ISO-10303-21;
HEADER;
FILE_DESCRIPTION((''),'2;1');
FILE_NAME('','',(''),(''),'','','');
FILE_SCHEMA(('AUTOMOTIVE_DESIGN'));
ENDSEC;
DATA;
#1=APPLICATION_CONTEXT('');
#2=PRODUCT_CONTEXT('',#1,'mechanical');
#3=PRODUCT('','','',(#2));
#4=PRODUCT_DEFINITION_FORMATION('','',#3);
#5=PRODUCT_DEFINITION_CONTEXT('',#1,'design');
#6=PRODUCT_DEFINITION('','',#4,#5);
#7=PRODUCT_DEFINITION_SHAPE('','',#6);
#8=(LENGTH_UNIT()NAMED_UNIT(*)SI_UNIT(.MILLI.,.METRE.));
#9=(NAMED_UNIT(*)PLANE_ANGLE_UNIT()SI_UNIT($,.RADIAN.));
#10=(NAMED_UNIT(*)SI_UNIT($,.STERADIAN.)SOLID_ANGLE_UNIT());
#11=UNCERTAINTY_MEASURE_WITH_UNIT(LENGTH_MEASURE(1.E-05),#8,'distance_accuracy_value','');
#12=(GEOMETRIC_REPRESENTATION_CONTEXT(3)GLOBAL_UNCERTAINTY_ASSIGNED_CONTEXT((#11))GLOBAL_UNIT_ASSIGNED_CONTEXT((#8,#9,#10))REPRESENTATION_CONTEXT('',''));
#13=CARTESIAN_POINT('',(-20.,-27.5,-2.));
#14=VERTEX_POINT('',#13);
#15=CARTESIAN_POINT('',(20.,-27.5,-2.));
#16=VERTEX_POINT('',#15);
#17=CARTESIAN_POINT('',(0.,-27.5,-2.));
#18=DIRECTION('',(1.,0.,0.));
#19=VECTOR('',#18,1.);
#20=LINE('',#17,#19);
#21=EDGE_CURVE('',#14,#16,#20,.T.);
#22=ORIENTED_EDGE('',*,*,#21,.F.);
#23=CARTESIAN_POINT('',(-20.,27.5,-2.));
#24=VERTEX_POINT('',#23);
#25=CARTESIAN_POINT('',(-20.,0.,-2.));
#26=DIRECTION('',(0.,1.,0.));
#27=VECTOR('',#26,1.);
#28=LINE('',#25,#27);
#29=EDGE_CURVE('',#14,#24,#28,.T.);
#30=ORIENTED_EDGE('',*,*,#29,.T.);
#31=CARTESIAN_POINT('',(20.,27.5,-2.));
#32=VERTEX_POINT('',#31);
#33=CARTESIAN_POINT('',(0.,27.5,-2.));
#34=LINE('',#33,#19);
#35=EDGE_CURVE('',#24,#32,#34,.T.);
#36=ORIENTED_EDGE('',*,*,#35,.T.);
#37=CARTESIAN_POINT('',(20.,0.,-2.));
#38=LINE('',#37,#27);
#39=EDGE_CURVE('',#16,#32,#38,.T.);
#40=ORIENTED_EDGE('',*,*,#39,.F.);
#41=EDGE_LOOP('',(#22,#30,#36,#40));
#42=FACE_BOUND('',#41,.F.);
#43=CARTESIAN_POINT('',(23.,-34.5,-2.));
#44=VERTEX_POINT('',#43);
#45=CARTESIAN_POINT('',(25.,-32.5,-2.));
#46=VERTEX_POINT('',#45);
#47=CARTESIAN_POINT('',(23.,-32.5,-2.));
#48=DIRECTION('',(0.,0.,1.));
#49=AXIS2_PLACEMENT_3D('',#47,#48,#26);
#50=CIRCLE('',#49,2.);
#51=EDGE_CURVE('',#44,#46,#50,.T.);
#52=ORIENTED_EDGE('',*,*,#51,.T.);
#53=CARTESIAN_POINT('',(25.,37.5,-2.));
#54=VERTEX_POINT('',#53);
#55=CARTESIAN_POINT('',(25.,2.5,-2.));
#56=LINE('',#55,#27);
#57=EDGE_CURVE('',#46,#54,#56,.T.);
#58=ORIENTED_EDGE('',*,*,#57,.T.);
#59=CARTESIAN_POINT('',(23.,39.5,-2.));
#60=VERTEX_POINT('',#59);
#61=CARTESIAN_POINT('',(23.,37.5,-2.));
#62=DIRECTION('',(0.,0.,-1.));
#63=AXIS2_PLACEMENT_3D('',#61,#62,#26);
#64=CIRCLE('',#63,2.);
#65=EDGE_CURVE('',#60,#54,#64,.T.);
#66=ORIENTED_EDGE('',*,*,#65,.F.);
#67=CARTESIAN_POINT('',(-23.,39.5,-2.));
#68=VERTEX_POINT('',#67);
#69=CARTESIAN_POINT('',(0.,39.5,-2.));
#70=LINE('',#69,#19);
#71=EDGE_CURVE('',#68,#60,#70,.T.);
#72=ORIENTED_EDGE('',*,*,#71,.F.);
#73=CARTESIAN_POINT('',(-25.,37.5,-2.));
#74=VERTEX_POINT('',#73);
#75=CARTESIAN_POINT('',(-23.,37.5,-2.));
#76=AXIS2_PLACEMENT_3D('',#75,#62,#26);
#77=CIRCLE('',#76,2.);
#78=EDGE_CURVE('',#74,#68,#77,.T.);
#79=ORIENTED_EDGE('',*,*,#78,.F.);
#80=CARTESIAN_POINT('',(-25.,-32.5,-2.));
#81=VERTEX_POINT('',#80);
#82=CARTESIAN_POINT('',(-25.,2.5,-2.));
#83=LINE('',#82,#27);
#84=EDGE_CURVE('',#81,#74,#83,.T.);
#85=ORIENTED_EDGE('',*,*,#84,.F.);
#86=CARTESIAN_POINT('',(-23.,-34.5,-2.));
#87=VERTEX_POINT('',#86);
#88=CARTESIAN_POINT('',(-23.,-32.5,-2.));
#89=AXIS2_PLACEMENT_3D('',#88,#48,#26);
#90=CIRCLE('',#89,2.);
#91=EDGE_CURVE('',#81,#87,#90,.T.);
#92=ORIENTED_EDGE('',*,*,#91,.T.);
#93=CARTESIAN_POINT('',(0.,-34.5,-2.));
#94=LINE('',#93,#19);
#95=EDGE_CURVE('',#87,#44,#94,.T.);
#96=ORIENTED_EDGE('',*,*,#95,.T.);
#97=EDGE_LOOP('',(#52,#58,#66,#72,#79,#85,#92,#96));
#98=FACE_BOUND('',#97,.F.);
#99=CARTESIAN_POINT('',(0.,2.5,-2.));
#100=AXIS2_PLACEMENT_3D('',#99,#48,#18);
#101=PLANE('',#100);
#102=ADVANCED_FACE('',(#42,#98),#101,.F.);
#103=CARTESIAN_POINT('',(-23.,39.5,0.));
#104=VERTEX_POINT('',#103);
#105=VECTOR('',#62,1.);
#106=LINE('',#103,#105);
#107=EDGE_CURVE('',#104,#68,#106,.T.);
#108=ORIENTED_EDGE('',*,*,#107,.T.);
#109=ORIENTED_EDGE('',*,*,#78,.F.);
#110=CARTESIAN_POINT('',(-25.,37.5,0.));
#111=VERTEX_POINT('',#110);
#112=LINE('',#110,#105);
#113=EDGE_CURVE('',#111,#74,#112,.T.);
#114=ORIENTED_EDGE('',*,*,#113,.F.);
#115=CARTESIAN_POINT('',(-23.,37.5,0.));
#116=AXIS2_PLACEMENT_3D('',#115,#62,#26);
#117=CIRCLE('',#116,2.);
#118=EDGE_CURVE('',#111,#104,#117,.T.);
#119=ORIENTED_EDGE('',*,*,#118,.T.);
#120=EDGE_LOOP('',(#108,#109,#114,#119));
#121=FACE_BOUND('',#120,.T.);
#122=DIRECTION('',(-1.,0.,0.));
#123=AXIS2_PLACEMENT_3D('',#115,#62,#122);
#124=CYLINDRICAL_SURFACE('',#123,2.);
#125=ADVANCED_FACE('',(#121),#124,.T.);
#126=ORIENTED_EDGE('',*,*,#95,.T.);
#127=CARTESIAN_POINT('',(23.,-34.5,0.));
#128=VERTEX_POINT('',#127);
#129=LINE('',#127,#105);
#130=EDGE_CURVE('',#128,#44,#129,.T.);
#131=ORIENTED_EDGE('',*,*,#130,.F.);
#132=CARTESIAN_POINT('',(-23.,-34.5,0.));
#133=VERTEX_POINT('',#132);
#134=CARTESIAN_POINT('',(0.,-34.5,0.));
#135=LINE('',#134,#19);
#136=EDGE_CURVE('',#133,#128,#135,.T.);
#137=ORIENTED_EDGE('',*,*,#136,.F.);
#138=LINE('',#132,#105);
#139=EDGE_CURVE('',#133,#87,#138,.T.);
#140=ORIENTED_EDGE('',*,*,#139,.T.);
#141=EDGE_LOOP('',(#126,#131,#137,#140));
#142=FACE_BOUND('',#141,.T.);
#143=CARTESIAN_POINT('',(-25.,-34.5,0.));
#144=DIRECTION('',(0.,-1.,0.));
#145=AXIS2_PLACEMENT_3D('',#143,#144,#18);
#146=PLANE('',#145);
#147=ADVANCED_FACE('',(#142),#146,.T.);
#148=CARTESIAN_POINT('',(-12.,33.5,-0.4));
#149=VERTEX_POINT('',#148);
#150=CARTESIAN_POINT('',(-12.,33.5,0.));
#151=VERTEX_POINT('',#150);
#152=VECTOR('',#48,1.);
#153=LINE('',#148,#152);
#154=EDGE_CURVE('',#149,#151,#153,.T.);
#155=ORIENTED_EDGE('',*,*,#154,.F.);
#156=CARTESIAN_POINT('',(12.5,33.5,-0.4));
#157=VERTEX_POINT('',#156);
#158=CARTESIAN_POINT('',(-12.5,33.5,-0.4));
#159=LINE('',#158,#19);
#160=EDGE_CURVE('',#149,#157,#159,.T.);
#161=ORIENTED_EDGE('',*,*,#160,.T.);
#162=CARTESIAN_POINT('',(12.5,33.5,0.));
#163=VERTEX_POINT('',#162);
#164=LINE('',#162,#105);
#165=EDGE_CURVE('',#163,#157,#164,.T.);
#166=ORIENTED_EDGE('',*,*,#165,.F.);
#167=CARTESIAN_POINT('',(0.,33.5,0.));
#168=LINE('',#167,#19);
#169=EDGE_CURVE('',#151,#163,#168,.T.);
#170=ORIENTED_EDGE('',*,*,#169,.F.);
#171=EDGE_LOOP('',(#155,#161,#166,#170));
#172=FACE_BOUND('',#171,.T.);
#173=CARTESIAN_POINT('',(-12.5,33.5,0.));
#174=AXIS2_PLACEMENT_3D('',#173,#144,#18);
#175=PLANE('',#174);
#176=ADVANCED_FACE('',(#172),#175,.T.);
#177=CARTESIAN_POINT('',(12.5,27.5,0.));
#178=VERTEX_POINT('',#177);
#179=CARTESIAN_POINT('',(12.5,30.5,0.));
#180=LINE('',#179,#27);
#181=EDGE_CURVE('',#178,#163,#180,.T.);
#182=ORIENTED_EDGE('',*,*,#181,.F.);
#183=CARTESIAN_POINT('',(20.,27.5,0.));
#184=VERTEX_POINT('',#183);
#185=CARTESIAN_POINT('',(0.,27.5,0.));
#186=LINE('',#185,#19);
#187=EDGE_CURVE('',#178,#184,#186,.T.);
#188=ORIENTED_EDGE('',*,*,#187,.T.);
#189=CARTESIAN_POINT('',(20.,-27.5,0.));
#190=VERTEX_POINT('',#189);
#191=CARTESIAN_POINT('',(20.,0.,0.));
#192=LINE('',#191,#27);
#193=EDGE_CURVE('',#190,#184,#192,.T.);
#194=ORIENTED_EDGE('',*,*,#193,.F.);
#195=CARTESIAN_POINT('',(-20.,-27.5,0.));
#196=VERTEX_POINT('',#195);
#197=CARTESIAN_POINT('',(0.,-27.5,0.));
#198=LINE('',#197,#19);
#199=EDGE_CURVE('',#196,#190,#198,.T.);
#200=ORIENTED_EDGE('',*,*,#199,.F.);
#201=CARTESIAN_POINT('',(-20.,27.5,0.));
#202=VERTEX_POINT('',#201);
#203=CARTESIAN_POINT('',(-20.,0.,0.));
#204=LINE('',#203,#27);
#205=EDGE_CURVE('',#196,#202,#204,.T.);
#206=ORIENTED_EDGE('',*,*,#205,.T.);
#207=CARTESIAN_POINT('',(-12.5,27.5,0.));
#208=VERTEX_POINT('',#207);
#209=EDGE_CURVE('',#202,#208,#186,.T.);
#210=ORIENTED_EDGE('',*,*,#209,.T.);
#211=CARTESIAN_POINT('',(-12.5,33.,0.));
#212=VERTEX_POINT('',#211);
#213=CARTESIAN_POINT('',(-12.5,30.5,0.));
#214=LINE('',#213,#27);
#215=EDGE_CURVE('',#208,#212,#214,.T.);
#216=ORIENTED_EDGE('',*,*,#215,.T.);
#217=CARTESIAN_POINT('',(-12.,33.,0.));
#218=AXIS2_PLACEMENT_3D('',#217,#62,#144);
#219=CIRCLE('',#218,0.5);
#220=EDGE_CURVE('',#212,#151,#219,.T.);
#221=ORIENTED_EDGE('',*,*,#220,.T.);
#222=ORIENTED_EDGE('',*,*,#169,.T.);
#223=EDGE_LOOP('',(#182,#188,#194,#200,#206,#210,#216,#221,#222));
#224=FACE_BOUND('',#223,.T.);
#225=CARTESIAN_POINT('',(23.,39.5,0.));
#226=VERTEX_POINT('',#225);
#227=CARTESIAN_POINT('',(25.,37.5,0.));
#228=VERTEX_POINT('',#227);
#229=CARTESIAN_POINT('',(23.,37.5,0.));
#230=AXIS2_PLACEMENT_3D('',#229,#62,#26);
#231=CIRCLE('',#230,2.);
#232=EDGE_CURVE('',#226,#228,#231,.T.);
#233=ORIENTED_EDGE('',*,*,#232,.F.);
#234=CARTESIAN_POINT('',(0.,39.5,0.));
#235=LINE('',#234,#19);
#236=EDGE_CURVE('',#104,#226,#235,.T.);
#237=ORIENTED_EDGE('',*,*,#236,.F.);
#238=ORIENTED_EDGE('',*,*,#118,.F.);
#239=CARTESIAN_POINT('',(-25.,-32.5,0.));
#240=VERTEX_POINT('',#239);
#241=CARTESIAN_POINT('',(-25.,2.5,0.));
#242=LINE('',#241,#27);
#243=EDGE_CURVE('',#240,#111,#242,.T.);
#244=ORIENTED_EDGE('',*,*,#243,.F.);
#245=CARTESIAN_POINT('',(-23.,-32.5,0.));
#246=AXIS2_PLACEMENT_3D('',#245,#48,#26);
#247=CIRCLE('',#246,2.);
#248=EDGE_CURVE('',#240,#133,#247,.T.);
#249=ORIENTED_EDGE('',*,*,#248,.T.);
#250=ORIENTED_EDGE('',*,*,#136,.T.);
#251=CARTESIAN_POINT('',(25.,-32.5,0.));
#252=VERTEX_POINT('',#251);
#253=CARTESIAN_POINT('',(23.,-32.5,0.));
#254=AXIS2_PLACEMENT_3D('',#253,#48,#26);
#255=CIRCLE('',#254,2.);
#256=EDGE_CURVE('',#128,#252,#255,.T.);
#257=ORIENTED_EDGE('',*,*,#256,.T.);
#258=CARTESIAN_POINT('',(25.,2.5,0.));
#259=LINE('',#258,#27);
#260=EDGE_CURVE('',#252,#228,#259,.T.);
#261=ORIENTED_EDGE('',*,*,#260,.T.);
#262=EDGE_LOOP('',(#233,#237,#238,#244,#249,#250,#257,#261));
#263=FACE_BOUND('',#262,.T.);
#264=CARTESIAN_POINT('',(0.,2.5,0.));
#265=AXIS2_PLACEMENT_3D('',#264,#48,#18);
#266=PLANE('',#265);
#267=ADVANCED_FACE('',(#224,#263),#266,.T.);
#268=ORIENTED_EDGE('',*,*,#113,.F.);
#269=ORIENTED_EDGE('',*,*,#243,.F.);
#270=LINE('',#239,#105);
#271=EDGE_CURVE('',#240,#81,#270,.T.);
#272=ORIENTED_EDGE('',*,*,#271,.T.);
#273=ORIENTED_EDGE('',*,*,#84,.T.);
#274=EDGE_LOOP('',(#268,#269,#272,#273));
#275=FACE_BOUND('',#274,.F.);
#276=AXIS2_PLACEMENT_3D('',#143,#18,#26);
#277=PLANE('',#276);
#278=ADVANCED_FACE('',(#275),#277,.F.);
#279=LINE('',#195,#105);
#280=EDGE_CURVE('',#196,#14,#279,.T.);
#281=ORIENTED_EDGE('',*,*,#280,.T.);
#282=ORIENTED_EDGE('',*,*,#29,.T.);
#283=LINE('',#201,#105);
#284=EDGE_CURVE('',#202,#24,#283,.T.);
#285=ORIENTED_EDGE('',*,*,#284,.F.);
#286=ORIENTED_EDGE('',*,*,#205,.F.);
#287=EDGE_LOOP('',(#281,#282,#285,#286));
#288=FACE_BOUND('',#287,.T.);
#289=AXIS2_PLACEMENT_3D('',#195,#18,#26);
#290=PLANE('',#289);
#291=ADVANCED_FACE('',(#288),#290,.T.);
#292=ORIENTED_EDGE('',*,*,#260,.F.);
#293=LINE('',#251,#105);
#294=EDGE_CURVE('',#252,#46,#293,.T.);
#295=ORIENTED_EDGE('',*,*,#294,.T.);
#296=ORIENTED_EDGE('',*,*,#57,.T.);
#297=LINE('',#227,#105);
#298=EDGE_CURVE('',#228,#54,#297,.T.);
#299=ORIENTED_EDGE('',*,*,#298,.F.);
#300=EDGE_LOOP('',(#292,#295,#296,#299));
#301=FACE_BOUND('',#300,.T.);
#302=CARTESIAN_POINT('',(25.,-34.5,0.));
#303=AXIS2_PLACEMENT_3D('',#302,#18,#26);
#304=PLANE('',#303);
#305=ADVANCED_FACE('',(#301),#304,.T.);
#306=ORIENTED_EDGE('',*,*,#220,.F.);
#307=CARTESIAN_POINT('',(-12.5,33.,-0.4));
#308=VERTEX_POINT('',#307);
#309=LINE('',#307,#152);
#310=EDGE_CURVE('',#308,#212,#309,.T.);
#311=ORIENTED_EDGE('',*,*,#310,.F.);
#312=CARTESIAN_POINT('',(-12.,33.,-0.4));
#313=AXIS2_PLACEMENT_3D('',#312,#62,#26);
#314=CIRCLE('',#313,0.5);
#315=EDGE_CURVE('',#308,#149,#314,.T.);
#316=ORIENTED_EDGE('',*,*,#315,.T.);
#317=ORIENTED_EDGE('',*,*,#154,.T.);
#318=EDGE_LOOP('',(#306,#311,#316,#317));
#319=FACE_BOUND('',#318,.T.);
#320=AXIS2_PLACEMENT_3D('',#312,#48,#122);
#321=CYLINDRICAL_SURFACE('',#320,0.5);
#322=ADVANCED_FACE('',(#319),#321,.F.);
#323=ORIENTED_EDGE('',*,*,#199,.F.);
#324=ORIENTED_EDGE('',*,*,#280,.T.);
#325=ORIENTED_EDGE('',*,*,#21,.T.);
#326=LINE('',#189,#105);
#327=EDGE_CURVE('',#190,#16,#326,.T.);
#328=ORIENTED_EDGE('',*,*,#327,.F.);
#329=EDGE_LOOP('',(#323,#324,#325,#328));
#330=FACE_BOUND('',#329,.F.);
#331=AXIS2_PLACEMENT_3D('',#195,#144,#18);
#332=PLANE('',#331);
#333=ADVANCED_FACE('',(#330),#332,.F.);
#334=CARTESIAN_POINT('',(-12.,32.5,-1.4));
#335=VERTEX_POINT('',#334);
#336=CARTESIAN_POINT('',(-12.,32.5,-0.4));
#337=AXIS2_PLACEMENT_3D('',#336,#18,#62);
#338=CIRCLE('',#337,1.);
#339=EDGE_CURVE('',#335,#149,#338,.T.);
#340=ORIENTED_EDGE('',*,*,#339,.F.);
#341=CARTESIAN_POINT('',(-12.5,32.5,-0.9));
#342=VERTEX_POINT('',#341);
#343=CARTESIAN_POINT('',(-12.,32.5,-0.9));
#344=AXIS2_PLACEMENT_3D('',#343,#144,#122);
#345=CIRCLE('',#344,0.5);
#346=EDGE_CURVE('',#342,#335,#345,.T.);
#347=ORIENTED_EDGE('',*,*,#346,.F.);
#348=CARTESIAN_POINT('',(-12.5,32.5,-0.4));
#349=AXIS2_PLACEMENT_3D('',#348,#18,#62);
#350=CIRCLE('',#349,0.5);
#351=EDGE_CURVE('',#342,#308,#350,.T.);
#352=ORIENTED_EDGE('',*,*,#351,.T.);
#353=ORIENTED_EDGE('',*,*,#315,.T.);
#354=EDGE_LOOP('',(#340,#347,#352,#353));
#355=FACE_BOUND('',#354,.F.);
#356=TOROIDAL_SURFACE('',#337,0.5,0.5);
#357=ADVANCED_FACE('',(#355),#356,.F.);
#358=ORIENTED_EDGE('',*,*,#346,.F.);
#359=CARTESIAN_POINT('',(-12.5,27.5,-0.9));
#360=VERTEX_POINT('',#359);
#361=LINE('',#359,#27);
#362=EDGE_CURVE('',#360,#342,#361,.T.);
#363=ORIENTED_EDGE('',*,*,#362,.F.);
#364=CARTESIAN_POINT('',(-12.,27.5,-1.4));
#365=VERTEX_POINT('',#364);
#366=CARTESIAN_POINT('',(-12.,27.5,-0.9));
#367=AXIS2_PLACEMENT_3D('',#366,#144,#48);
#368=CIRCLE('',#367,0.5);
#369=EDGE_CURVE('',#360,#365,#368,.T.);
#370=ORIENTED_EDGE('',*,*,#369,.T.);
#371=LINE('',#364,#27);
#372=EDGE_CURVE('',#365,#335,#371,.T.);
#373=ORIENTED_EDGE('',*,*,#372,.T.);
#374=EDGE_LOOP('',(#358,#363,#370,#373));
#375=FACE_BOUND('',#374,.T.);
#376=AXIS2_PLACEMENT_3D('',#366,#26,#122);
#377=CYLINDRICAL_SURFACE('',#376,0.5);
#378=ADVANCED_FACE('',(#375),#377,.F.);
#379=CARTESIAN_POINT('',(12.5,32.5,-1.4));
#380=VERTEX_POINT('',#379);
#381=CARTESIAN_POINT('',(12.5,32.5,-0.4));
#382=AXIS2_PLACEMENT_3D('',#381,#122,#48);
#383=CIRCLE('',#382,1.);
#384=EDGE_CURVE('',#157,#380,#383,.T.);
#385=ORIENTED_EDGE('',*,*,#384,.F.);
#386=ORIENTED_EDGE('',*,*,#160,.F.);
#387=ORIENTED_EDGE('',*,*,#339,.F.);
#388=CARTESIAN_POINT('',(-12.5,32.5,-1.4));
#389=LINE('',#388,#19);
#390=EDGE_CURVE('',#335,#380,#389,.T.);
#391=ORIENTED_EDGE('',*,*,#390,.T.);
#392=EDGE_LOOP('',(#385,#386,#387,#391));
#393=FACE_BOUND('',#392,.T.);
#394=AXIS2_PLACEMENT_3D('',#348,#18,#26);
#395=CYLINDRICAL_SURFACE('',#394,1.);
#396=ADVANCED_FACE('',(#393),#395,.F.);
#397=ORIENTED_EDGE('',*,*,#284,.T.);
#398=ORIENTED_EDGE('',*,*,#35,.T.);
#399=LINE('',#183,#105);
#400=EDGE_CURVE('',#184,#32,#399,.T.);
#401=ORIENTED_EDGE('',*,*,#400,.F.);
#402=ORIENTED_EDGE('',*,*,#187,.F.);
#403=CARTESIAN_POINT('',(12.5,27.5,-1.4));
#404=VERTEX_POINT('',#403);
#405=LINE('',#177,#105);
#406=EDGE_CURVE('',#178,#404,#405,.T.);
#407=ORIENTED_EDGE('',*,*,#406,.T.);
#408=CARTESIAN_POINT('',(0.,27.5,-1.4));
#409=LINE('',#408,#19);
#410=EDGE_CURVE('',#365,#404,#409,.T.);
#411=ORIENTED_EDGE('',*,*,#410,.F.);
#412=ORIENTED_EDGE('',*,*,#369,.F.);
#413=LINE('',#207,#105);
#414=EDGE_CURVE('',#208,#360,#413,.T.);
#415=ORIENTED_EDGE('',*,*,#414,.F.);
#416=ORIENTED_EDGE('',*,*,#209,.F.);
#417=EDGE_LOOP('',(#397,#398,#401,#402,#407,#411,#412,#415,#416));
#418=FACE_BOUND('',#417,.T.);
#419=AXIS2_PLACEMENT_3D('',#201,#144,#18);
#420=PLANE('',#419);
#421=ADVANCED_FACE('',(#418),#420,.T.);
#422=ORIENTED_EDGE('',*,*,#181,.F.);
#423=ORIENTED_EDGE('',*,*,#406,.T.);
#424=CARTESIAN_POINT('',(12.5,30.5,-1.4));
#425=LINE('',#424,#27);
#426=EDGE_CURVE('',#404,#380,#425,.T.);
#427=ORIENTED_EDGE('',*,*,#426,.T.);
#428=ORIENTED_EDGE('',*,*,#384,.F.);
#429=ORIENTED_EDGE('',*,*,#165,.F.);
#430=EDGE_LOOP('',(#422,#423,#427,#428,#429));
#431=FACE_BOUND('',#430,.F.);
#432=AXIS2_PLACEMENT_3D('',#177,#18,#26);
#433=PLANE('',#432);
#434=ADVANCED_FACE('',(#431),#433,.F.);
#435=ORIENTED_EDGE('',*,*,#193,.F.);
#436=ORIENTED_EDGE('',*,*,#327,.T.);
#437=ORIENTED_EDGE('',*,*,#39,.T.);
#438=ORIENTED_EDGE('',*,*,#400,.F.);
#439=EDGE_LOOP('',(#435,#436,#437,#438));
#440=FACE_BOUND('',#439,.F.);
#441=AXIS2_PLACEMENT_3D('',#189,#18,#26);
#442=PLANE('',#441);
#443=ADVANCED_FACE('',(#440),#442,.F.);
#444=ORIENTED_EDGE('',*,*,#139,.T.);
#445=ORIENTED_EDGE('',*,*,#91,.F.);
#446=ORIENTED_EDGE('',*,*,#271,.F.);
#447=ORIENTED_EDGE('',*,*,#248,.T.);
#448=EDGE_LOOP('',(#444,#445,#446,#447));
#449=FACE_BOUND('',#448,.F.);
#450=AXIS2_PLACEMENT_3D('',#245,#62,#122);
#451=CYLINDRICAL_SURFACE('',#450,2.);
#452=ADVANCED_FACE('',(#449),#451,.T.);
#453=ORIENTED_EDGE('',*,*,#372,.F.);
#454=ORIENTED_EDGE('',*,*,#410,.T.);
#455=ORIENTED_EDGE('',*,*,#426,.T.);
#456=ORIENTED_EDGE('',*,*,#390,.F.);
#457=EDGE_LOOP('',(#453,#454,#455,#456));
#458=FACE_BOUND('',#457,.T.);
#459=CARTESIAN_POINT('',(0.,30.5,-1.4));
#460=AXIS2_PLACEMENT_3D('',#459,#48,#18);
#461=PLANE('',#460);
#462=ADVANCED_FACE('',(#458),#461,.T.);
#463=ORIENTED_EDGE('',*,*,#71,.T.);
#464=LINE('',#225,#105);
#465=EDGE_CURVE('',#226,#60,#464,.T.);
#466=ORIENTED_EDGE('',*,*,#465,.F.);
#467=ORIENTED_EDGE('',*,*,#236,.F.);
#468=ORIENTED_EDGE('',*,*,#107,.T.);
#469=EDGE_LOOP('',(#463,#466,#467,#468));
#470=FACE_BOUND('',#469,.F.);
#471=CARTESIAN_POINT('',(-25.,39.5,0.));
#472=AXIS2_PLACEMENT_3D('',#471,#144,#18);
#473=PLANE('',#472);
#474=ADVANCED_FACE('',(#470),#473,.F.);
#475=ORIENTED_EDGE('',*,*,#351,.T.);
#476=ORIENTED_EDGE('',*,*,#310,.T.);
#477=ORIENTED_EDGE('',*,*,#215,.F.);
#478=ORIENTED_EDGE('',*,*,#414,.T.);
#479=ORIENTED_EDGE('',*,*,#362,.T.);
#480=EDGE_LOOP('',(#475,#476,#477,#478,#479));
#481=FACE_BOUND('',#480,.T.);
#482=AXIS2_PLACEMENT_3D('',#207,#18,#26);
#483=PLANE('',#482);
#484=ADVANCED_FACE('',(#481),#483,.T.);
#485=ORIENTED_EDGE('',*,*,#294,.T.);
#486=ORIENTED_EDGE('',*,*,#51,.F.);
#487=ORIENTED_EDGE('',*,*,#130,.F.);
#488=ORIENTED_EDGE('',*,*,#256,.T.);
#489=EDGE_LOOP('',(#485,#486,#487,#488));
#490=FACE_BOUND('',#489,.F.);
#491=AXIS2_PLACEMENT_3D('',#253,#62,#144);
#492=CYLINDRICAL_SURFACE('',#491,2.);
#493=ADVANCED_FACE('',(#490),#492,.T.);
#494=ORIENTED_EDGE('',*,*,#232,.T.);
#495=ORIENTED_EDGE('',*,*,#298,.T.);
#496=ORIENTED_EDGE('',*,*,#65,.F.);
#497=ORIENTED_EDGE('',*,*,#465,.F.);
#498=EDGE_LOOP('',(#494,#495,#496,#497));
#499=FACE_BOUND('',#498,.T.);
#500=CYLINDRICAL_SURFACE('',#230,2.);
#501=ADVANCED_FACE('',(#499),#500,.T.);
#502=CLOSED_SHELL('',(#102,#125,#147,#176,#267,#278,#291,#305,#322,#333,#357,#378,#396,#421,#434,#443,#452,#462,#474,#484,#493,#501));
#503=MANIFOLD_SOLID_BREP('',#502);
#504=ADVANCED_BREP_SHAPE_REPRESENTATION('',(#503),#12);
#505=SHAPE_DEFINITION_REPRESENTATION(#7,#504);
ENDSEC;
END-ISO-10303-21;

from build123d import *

# Parameters (mm, degrees)
SKETCH_W     = 50
SKETCH_H     = 74
SKETCH_W_2   = 40
SKETCH_H_2   = 55
PAD_DEPTH    = 2
SKETCH001_W  = 25
SKETCH001_H  = 6
POCKET_DEPTH = 1.4
FILLET003_R  = 1
FILLET004_R  = 2
FILLET006_R  = 0.5


with BuildPart() as part:
    # Sketch → Pad (new body)
    with BuildSketch(Plane.XY):
        with Locations((0, 2.5)):
            Rectangle(SKETCH_W, SKETCH_H)
        Rectangle(SKETCH_W_2, SKETCH_H_2, mode=Mode.SUBTRACT)
    extrude(amount=-PAD_DEPTH)

    # Sketch001 → Pocket (cut)
    with BuildSketch(Plane.XY):
        with Locations((0, 30.5)):
            Rectangle(SKETCH001_W, SKETCH001_H)
    extrude(amount=-POCKET_DEPTH, mode=Mode.SUBTRACT)

    # Fillet003
    fillet003_edges = [part.edges().sort_by_distance(p)[0] for p in [
        (0, 33.5, -1.4),
    ]]
    fillet(fillet003_edges, radius=FILLET003_R)

    # Fillet004
    fillet004_edges = [part.edges().sort_by_distance(p)[0] for p in [
        (-25, -34.5, -1),
        (25, -34.5, -1),
        (-25, 39.5, -1),
        (25, 39.5, -1),
    ]]
    fillet(fillet004_edges, radius=FILLET004_R)

    # Fillet006
    fillet006_edges = [part.edges().sort_by_distance(p)[0] for p in [
        (-12.5, 30, -1.4),
        (-12.5, 33.207107, -1.107107),
        (-12.5, 33.5, -0.2),
    ]]
    fillet(fillet006_edges, radius=FILLET006_R)


solid = part.part
